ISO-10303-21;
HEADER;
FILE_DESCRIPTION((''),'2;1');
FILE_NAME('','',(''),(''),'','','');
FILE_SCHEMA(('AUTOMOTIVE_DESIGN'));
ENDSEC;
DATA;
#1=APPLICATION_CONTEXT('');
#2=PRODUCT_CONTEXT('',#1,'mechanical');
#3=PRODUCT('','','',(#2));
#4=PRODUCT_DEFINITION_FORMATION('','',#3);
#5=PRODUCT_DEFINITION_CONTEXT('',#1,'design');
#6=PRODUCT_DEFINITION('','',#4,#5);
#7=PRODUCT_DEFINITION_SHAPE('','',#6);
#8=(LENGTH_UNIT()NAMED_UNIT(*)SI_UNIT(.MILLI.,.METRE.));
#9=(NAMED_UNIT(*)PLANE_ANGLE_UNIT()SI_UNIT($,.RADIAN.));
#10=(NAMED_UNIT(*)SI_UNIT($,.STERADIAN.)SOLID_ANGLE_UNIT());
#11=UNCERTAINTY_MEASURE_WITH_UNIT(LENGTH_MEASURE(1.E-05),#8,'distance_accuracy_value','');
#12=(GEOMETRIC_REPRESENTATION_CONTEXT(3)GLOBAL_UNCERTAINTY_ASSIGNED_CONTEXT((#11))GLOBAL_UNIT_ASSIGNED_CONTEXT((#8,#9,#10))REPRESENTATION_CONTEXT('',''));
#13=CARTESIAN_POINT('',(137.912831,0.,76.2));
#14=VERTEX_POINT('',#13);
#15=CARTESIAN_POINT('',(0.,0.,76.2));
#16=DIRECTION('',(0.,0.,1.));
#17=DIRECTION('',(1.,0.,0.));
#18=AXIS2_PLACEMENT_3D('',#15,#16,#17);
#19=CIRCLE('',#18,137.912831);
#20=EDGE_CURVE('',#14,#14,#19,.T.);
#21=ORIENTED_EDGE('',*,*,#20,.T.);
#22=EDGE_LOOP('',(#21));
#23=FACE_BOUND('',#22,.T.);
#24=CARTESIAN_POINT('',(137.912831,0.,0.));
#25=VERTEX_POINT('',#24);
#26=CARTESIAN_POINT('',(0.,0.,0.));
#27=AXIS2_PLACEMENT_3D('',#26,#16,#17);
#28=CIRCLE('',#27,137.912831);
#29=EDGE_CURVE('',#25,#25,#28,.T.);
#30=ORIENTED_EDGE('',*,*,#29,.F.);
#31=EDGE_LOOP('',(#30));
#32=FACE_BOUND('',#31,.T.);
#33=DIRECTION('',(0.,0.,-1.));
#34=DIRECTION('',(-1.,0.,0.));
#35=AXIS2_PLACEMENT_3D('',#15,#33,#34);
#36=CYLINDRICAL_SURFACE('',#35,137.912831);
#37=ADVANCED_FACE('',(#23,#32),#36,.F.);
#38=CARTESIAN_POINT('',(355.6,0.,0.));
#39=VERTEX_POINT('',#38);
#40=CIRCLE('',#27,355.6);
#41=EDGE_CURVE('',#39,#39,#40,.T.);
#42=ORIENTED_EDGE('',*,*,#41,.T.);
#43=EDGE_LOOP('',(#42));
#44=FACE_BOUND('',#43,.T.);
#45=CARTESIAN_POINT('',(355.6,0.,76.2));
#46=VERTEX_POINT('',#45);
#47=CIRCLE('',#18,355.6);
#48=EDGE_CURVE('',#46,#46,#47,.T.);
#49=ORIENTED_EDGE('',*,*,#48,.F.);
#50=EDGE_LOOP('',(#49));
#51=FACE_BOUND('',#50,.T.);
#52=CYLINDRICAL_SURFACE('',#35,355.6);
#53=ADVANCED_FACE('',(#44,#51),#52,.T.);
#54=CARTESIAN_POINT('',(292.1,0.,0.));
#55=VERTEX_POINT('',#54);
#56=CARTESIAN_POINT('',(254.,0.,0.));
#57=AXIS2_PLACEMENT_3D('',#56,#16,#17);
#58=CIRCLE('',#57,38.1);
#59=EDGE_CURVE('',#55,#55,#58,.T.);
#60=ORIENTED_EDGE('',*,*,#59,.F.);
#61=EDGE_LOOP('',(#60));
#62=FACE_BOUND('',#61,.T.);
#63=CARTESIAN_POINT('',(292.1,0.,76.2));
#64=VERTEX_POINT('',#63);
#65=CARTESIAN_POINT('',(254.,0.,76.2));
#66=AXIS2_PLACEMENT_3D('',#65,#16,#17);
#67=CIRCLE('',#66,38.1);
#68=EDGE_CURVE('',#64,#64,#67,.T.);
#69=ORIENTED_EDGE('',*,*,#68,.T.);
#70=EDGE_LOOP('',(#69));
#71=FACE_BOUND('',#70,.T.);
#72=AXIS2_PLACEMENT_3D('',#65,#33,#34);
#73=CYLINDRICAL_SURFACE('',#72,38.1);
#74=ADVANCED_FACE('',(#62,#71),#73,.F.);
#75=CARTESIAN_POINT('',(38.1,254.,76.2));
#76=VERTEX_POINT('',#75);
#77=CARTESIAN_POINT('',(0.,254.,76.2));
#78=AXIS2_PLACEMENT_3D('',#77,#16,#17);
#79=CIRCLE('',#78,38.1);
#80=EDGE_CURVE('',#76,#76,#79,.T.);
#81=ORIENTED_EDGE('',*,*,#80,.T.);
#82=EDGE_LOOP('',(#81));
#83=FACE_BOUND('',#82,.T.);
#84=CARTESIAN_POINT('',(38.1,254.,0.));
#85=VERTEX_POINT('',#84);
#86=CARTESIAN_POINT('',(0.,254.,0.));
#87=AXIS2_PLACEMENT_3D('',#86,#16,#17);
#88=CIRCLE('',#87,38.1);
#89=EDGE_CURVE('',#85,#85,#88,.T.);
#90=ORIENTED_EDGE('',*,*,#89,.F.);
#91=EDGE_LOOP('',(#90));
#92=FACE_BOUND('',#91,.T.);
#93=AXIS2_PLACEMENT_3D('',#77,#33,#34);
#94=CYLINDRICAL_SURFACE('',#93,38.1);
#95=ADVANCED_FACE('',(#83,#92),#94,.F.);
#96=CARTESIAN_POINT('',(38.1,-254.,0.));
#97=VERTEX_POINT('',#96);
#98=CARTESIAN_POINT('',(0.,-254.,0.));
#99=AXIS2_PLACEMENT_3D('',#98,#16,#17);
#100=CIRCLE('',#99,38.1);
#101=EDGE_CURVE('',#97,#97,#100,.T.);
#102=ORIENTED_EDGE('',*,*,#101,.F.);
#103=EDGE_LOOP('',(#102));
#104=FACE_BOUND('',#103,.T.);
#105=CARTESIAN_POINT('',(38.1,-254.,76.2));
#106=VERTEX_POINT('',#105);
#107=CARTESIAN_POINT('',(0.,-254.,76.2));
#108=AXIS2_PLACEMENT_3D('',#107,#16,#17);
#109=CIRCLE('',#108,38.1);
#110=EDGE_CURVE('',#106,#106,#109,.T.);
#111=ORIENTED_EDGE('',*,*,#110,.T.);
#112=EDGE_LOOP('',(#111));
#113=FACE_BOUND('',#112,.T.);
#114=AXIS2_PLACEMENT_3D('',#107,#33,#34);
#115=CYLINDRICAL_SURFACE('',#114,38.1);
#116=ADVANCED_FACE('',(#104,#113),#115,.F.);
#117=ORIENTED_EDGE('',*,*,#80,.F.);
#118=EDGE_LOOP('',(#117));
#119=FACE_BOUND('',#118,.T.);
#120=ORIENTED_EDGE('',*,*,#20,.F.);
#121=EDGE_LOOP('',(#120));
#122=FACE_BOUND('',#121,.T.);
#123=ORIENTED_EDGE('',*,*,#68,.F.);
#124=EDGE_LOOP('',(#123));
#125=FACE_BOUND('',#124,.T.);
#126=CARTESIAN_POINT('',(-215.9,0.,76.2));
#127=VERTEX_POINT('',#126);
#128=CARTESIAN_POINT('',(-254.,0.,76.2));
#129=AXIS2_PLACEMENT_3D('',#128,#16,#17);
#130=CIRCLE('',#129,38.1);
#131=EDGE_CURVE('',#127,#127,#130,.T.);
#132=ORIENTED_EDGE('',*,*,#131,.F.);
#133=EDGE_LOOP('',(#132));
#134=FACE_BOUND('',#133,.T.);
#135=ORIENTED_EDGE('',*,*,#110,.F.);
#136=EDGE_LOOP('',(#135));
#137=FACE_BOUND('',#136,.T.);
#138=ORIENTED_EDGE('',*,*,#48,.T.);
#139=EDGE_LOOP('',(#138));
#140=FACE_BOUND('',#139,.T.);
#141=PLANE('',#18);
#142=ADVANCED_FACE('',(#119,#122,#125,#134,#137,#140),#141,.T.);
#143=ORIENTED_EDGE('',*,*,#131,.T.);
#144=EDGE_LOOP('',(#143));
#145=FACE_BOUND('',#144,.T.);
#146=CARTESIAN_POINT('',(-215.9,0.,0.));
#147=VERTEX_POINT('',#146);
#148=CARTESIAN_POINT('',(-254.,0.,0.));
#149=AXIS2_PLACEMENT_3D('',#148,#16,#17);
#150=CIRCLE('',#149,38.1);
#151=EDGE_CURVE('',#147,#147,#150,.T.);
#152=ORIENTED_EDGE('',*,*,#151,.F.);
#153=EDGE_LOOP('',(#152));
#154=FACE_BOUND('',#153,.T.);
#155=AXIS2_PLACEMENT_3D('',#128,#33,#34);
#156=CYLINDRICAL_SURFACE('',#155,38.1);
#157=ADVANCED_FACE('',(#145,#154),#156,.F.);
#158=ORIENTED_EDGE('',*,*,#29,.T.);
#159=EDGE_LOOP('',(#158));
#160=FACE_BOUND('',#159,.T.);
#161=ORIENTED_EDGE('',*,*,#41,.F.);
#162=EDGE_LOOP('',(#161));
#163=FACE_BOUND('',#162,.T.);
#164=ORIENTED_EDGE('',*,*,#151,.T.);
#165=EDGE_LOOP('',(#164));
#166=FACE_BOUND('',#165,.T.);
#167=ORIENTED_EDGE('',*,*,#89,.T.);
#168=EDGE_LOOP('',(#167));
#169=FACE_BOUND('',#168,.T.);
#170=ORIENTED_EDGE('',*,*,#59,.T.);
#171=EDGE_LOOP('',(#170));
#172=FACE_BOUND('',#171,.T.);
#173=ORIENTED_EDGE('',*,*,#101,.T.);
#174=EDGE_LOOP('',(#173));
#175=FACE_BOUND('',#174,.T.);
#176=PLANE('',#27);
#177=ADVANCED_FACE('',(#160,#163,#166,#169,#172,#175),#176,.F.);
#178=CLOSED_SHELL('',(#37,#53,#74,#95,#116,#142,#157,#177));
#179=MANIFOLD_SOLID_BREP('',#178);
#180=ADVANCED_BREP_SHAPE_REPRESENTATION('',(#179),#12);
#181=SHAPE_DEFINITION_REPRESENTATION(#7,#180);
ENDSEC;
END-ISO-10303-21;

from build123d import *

# Parameters (mm, degrees)
SKETCH1_R           = 355.6
SKETCH1_R_2         = 137.912831168
SKETCH1_R_3         = 38.1
BOSS_EXTRUDE1_DEPTH = 76.2


with BuildPart() as part:
    # Sketch1 → Boss-Extrude1 (new body)
    with BuildSketch(Plane.XY):
        Circle(SKETCH1_R)
        Circle(SKETCH1_R_2, mode=Mode.SUBTRACT)
        with Locations((0, 254)):
            Circle(SKETCH1_R_3, mode=Mode.SUBTRACT)
        with Locations((254, 0)):
            Circle(SKETCH1_R_3, mode=Mode.SUBTRACT)
        with Locations((0, -254)):
            Circle(SKETCH1_R_3, mode=Mode.SUBTRACT)
        with Locations((-254, 0)):
            Circle(SKETCH1_R_3, mode=Mode.SUBTRACT)
    extrude(amount=BOSS_EXTRUDE1_DEPTH)


solid = part.part
